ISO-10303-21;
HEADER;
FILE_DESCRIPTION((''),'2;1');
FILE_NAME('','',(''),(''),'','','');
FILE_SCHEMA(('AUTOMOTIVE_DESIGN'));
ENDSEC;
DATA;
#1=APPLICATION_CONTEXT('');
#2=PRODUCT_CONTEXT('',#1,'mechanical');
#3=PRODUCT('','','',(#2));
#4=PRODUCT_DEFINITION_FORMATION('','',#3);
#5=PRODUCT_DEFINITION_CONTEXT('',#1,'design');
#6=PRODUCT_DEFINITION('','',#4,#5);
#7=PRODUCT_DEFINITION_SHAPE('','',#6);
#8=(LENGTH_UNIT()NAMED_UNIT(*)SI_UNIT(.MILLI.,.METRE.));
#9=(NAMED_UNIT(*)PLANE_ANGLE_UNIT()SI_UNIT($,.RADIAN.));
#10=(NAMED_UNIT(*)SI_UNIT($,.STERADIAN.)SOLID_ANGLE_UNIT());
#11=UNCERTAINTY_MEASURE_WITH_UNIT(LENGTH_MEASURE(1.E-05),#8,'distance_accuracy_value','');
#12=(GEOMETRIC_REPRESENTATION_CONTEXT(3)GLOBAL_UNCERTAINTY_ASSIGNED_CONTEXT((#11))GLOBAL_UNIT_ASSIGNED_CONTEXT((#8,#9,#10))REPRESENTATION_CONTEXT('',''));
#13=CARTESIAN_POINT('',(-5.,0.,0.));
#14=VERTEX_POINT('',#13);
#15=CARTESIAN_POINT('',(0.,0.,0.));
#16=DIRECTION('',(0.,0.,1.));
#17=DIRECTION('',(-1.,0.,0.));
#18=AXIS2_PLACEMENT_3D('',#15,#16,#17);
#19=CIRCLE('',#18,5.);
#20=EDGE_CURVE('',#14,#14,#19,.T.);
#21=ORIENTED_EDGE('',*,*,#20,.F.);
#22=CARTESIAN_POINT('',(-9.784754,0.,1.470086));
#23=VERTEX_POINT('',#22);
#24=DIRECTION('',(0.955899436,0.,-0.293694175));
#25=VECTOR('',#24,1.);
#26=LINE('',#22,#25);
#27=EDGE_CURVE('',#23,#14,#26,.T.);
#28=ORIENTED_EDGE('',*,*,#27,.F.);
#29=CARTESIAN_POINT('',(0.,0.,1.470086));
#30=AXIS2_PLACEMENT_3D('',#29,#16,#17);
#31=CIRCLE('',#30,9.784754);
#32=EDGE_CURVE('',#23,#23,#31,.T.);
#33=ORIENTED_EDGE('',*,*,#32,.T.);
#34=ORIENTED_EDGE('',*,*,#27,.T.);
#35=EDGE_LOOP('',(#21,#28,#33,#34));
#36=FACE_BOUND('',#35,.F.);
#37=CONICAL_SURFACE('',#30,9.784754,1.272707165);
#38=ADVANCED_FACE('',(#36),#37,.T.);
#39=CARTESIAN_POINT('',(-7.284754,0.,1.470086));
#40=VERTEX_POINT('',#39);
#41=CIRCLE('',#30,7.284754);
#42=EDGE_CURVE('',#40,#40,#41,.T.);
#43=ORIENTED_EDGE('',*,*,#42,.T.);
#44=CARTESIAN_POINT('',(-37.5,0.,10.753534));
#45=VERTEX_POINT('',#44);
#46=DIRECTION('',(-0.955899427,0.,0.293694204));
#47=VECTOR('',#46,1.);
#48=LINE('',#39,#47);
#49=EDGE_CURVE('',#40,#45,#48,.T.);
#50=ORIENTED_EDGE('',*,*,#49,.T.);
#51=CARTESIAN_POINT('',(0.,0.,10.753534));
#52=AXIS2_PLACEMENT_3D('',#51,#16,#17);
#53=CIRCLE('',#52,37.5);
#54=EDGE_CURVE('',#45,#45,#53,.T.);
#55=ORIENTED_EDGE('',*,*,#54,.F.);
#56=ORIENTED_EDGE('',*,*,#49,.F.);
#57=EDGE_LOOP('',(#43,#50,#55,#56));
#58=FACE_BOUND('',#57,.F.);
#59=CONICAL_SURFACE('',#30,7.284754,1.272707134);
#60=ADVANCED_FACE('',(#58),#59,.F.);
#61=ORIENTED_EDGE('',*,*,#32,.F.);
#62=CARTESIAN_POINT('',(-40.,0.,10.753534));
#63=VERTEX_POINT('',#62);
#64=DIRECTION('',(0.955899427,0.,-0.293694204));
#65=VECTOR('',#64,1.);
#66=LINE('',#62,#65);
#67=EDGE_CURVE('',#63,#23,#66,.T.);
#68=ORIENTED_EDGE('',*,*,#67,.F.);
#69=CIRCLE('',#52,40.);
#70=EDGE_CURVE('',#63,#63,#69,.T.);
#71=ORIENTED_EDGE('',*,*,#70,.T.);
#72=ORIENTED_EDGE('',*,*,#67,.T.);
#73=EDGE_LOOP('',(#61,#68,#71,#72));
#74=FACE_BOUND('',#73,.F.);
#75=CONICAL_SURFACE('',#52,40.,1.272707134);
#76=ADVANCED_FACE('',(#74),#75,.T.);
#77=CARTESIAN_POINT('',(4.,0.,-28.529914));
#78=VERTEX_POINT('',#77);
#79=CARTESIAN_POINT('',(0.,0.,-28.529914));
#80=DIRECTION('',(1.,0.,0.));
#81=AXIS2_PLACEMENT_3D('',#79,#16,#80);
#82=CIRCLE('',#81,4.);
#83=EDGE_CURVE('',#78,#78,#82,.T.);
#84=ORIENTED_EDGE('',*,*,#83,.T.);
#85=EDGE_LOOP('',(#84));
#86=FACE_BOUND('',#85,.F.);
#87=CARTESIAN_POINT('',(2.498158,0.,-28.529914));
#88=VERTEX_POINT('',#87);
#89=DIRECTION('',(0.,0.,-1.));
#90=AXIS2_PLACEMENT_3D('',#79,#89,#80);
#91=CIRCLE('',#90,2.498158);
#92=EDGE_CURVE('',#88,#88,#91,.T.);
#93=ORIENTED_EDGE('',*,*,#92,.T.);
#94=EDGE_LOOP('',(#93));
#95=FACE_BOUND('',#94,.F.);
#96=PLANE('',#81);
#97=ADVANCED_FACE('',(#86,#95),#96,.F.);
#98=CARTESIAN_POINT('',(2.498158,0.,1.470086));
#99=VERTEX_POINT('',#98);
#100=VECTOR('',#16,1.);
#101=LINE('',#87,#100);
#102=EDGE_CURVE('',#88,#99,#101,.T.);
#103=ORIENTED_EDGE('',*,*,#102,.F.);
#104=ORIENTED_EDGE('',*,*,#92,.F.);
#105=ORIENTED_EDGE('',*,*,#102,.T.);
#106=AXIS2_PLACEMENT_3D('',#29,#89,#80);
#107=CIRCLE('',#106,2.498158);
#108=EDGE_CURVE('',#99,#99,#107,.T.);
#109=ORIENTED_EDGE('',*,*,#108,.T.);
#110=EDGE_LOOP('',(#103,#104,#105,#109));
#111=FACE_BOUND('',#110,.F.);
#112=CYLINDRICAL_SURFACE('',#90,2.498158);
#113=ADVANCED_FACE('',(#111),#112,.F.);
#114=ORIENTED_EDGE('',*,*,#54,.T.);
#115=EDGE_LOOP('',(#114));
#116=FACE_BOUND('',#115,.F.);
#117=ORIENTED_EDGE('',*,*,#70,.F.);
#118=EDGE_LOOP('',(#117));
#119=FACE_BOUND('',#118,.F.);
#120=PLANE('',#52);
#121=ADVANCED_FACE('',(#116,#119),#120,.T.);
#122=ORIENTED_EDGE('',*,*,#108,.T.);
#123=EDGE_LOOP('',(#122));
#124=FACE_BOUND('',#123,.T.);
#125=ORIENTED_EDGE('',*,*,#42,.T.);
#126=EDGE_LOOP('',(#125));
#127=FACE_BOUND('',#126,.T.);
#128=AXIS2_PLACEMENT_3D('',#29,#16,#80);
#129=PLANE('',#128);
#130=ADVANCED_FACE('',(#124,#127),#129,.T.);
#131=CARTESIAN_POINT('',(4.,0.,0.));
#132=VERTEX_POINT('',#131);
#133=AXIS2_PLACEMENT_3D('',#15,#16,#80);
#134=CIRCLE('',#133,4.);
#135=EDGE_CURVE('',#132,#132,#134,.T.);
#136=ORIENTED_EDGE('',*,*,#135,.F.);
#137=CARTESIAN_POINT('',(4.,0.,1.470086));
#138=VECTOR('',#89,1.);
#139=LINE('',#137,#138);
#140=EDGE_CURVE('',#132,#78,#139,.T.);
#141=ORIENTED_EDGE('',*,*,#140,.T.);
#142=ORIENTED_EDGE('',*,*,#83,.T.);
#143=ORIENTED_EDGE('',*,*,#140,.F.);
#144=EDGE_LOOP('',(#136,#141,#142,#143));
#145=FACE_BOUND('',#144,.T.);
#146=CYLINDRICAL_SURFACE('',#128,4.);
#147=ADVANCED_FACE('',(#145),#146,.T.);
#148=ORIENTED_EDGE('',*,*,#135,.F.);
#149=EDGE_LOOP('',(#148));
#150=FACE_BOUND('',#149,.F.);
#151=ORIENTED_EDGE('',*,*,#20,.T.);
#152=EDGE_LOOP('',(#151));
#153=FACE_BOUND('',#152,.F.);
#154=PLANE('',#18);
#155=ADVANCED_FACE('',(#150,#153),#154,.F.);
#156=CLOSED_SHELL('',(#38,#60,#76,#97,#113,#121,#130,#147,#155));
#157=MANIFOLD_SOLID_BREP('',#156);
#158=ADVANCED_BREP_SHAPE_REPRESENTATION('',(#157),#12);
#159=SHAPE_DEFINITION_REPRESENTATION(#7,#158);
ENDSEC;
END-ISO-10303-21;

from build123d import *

# Parameters (mm, degrees)
F2_R     = 4
F3_DEPTH = 30
F5_R     = 2.498158
F6_DEPTH = 50


with BuildPart() as f1:
    # F0 (on Front) → F1 (revolve)
    with BuildSketch(Plane.XZ):
        Polygon((-2.5, 0), (0, 0), (0, 1.470086), (-7.284754, 1.470086), align=None)
        Polygon((-5, 0), (-2.5, 0), (-7.284754, 1.470086), (-9.784754, 1.470086), align=None)
        Polygon((-9.784754, 1.470086), (-7.284754, 1.470086), (-37.5, 10.753534), (-40, 10.753534), align=None)
    revolve(axis=Axis((0, 0, 3.122811), (0, 0, 1)))

    # F2 (on face) → F3 (join)
    with BuildSketch(Plane.XY.offset(1.470086)):
        Circle(F2_R)
    extrude(amount=-F3_DEPTH)

    # F5 (on face) → F6 (cut)
    with BuildSketch(Plane(origin=(0, 0, -28.529914), x_dir=(1, 0, 0), z_dir=(0, 0, -1))):
        Circle(F5_R)
    extrude(amount=-F6_DEPTH, mode=Mode.SUBTRACT)


solid = f1.part
